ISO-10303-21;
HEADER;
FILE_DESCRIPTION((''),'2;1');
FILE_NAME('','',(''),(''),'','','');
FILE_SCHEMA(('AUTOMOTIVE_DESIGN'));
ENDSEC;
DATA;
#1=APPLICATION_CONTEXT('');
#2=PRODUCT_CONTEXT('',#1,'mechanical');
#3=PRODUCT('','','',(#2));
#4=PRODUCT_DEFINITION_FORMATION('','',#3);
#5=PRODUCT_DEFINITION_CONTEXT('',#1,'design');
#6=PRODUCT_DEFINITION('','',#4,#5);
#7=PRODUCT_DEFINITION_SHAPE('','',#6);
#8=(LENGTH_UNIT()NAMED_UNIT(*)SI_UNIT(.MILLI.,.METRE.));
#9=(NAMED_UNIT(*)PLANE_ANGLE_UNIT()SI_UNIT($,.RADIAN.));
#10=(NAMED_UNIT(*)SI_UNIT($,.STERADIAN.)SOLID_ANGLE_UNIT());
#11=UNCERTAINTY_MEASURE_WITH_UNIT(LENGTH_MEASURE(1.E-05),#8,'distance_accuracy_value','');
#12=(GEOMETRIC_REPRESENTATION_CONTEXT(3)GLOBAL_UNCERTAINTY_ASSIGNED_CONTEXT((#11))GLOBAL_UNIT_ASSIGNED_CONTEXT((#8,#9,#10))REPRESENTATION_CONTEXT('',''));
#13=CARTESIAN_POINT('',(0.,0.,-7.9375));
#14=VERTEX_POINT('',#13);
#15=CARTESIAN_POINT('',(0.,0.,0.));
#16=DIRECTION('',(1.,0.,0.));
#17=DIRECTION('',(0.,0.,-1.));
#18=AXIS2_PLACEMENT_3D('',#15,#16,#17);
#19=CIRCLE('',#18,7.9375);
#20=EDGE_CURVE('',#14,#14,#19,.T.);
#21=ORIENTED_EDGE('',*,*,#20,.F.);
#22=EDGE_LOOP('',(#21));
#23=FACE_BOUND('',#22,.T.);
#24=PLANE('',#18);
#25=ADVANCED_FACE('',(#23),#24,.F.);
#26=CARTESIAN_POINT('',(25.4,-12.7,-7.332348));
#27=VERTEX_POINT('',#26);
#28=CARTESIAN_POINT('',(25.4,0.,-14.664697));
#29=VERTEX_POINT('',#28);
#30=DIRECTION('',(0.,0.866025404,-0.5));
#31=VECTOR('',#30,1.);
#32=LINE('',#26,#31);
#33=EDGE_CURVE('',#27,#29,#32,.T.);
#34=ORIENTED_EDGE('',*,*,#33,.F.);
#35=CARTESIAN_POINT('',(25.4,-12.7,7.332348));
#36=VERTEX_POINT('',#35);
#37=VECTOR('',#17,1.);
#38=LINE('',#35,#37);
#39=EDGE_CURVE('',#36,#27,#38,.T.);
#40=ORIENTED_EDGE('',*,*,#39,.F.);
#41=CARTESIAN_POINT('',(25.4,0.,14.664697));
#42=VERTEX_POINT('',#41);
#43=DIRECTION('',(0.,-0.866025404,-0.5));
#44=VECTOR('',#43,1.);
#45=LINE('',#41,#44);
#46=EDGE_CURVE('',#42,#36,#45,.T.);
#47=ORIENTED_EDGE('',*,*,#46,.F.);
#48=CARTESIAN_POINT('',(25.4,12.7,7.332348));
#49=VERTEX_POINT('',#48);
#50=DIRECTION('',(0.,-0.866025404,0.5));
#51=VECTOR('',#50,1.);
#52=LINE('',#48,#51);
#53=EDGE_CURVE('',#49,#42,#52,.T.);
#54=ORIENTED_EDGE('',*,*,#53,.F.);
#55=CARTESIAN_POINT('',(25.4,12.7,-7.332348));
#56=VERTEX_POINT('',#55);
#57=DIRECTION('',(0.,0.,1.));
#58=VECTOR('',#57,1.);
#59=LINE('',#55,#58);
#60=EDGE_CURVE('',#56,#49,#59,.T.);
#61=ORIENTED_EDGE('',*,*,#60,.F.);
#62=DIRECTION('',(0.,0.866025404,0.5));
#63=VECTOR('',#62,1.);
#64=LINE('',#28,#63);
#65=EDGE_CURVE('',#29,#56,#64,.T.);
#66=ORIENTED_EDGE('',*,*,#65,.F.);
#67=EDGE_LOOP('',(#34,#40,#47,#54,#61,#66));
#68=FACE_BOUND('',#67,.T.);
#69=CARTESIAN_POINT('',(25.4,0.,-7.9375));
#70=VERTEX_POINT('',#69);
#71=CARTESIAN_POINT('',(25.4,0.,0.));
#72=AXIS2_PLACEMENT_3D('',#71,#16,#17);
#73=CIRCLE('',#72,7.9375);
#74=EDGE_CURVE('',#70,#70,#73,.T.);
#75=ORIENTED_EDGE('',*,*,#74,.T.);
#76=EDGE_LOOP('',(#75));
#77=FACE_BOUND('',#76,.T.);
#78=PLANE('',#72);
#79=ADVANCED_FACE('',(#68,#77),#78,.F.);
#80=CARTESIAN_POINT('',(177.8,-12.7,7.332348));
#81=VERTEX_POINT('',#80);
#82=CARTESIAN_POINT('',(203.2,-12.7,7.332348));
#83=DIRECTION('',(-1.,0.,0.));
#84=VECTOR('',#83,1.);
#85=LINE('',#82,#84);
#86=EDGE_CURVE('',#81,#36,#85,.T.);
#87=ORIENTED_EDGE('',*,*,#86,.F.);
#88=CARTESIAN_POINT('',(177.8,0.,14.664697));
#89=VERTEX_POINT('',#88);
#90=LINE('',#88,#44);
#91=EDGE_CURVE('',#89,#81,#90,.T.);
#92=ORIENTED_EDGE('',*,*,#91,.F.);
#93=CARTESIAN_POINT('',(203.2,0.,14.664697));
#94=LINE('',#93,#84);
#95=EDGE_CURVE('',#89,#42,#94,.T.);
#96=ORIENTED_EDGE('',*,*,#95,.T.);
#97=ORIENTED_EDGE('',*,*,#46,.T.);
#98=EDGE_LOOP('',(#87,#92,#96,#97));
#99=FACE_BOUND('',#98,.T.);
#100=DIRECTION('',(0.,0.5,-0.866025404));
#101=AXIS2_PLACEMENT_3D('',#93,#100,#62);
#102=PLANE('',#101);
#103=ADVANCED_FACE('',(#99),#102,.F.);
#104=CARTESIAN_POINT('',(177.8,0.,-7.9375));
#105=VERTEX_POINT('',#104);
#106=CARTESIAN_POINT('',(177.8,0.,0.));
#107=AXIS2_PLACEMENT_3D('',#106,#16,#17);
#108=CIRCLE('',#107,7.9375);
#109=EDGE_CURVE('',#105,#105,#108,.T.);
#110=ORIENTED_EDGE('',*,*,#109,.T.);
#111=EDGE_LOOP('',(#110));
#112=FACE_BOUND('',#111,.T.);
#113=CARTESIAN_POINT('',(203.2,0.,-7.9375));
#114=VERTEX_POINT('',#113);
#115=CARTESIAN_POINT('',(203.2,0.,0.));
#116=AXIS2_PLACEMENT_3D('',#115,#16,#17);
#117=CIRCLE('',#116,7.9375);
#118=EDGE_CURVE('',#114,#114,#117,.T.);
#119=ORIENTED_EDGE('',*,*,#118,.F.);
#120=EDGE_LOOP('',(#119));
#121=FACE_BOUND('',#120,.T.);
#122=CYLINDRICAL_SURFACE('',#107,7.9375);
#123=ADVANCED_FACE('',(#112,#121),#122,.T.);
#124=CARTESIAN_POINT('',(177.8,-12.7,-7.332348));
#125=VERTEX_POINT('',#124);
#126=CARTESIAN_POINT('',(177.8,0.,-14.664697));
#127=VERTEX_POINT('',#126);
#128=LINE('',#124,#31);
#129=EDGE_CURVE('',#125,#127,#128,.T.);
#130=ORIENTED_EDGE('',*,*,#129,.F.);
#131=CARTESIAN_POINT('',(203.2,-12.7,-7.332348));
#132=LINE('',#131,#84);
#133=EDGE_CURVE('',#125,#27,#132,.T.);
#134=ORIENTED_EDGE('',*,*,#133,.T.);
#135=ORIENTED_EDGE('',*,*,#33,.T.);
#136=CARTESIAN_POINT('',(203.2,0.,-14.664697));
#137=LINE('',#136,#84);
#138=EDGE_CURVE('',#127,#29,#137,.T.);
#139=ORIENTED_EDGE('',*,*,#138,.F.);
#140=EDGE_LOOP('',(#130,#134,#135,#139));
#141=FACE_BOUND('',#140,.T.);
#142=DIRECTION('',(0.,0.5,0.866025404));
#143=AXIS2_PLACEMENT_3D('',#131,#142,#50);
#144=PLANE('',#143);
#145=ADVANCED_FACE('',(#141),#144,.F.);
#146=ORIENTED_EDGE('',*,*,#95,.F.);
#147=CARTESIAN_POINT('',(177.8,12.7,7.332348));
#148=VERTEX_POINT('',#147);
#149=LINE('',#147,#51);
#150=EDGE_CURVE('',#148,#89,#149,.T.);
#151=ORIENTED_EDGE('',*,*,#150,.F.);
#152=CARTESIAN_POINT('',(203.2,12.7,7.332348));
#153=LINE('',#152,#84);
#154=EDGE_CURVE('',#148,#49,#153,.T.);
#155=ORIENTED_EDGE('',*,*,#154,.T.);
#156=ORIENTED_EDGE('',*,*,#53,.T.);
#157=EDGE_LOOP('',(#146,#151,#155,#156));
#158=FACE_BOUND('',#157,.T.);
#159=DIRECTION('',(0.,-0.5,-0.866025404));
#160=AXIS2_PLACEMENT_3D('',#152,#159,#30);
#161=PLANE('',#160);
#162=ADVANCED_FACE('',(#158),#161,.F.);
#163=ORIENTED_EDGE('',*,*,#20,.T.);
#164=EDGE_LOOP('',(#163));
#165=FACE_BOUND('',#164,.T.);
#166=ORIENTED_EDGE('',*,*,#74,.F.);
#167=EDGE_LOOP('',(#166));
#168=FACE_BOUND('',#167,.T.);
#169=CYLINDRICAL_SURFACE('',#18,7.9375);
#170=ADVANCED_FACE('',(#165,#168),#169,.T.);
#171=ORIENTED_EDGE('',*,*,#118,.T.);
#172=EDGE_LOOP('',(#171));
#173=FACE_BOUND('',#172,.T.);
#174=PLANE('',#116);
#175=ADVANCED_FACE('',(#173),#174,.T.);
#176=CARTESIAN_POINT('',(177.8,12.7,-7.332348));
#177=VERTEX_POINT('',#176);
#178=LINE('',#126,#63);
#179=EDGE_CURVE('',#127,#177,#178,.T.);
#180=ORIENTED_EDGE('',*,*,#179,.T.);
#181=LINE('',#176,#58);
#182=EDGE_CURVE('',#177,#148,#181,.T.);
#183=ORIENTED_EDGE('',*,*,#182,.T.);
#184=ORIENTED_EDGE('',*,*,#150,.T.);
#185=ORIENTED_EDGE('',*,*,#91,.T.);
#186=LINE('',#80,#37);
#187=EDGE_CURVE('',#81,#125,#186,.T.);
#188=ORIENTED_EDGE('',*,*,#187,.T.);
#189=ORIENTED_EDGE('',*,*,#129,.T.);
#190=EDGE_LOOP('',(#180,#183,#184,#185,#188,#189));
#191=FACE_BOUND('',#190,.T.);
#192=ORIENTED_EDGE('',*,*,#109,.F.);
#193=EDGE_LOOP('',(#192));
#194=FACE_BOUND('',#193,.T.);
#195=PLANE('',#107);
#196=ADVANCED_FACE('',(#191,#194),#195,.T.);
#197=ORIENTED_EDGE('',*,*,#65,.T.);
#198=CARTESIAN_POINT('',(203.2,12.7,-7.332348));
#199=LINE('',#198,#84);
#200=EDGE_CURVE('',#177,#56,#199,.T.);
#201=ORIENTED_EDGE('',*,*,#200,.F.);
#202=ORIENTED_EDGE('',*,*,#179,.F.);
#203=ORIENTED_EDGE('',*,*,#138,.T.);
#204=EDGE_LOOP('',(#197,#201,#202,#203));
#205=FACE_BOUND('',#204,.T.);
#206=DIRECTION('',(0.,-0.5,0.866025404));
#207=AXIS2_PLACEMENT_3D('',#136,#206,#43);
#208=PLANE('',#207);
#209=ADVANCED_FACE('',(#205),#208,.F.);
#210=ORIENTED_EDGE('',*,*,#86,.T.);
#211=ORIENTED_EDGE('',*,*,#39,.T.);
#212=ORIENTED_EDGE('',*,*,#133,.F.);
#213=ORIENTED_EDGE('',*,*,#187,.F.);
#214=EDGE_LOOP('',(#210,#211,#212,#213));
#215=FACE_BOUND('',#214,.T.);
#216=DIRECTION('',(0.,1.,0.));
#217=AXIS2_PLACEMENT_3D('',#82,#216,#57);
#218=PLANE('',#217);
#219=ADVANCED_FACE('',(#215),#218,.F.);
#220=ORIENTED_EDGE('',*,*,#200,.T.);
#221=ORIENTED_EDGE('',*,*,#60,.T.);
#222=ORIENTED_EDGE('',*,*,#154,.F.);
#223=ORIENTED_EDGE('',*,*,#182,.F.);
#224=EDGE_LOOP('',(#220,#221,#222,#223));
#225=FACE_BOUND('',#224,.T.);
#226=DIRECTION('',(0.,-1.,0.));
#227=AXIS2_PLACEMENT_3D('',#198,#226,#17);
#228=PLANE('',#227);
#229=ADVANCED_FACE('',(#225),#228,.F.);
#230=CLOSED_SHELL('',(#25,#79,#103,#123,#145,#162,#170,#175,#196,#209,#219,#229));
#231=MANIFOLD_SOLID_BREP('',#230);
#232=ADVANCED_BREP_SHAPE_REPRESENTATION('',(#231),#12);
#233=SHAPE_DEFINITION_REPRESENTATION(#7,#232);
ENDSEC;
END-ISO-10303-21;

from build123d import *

# Parameters (mm, degrees)
BOSS_EXTRUDE1_DEPTH = 203.2
SKETCH2_OUTSIDE_W   = 72.704
SKETCH2_OUTSIDE_H   = 68.774
SKETCH2_OUTSIDE_R   = 7.9375
CUT_EXTRUDE1_DEPTH  = 25.4
CUT_EXTRUDE3_START  = -177.8
SKETCH2_2_OUTSIDE_W = 72.704
SKETCH2_2_OUTSIDE_H = 68.774
SKETCH2_2_OUTSIDE_R = 7.9375
CUT_EXTRUDE3_DEPTH  = 25.4


with BuildPart() as part:
    # Sketch1 → Boss-Extrude1 (new body)
    with BuildSketch(Plane(origin=(0, 0, 0), x_dir=(0, 0, -1), z_dir=(1, 0, 0))):
        Polygon((14.664696837, 0), (7.332348419, 12.7), (-7.332348419, 12.7), (-14.664696837, 0), (-7.332348419, -12.7), (7.332348419, -12.7), align=None)
    extrude(amount=BOSS_EXTRUDE1_DEPTH)

    # Sketch2 outside → Cut-Extrude1 (cut)
    with BuildSketch(Plane(origin=(203.2, 0, 0), x_dir=(0, 0, -1), z_dir=(1, 0, 0))):
        Rectangle(SKETCH2_OUTSIDE_W, SKETCH2_OUTSIDE_H)
        Circle(SKETCH2_OUTSIDE_R, mode=Mode.SUBTRACT)
    extrude(amount=-CUT_EXTRUDE1_DEPTH, mode=Mode.SUBTRACT)

    # Sketch2<2> outside → Cut-Extrude3 (cut)
    with BuildSketch(Plane(origin=(203.2, 0, 0), x_dir=(0, 0, -1), z_dir=(1, 0, 0)).offset(CUT_EXTRUDE3_START)):
        Rectangle(SKETCH2_2_OUTSIDE_W, SKETCH2_2_OUTSIDE_H)
        Circle(SKETCH2_2_OUTSIDE_R, mode=Mode.SUBTRACT)
    extrude(amount=-CUT_EXTRUDE3_DEPTH, mode=Mode.SUBTRACT)


solid = part.part
